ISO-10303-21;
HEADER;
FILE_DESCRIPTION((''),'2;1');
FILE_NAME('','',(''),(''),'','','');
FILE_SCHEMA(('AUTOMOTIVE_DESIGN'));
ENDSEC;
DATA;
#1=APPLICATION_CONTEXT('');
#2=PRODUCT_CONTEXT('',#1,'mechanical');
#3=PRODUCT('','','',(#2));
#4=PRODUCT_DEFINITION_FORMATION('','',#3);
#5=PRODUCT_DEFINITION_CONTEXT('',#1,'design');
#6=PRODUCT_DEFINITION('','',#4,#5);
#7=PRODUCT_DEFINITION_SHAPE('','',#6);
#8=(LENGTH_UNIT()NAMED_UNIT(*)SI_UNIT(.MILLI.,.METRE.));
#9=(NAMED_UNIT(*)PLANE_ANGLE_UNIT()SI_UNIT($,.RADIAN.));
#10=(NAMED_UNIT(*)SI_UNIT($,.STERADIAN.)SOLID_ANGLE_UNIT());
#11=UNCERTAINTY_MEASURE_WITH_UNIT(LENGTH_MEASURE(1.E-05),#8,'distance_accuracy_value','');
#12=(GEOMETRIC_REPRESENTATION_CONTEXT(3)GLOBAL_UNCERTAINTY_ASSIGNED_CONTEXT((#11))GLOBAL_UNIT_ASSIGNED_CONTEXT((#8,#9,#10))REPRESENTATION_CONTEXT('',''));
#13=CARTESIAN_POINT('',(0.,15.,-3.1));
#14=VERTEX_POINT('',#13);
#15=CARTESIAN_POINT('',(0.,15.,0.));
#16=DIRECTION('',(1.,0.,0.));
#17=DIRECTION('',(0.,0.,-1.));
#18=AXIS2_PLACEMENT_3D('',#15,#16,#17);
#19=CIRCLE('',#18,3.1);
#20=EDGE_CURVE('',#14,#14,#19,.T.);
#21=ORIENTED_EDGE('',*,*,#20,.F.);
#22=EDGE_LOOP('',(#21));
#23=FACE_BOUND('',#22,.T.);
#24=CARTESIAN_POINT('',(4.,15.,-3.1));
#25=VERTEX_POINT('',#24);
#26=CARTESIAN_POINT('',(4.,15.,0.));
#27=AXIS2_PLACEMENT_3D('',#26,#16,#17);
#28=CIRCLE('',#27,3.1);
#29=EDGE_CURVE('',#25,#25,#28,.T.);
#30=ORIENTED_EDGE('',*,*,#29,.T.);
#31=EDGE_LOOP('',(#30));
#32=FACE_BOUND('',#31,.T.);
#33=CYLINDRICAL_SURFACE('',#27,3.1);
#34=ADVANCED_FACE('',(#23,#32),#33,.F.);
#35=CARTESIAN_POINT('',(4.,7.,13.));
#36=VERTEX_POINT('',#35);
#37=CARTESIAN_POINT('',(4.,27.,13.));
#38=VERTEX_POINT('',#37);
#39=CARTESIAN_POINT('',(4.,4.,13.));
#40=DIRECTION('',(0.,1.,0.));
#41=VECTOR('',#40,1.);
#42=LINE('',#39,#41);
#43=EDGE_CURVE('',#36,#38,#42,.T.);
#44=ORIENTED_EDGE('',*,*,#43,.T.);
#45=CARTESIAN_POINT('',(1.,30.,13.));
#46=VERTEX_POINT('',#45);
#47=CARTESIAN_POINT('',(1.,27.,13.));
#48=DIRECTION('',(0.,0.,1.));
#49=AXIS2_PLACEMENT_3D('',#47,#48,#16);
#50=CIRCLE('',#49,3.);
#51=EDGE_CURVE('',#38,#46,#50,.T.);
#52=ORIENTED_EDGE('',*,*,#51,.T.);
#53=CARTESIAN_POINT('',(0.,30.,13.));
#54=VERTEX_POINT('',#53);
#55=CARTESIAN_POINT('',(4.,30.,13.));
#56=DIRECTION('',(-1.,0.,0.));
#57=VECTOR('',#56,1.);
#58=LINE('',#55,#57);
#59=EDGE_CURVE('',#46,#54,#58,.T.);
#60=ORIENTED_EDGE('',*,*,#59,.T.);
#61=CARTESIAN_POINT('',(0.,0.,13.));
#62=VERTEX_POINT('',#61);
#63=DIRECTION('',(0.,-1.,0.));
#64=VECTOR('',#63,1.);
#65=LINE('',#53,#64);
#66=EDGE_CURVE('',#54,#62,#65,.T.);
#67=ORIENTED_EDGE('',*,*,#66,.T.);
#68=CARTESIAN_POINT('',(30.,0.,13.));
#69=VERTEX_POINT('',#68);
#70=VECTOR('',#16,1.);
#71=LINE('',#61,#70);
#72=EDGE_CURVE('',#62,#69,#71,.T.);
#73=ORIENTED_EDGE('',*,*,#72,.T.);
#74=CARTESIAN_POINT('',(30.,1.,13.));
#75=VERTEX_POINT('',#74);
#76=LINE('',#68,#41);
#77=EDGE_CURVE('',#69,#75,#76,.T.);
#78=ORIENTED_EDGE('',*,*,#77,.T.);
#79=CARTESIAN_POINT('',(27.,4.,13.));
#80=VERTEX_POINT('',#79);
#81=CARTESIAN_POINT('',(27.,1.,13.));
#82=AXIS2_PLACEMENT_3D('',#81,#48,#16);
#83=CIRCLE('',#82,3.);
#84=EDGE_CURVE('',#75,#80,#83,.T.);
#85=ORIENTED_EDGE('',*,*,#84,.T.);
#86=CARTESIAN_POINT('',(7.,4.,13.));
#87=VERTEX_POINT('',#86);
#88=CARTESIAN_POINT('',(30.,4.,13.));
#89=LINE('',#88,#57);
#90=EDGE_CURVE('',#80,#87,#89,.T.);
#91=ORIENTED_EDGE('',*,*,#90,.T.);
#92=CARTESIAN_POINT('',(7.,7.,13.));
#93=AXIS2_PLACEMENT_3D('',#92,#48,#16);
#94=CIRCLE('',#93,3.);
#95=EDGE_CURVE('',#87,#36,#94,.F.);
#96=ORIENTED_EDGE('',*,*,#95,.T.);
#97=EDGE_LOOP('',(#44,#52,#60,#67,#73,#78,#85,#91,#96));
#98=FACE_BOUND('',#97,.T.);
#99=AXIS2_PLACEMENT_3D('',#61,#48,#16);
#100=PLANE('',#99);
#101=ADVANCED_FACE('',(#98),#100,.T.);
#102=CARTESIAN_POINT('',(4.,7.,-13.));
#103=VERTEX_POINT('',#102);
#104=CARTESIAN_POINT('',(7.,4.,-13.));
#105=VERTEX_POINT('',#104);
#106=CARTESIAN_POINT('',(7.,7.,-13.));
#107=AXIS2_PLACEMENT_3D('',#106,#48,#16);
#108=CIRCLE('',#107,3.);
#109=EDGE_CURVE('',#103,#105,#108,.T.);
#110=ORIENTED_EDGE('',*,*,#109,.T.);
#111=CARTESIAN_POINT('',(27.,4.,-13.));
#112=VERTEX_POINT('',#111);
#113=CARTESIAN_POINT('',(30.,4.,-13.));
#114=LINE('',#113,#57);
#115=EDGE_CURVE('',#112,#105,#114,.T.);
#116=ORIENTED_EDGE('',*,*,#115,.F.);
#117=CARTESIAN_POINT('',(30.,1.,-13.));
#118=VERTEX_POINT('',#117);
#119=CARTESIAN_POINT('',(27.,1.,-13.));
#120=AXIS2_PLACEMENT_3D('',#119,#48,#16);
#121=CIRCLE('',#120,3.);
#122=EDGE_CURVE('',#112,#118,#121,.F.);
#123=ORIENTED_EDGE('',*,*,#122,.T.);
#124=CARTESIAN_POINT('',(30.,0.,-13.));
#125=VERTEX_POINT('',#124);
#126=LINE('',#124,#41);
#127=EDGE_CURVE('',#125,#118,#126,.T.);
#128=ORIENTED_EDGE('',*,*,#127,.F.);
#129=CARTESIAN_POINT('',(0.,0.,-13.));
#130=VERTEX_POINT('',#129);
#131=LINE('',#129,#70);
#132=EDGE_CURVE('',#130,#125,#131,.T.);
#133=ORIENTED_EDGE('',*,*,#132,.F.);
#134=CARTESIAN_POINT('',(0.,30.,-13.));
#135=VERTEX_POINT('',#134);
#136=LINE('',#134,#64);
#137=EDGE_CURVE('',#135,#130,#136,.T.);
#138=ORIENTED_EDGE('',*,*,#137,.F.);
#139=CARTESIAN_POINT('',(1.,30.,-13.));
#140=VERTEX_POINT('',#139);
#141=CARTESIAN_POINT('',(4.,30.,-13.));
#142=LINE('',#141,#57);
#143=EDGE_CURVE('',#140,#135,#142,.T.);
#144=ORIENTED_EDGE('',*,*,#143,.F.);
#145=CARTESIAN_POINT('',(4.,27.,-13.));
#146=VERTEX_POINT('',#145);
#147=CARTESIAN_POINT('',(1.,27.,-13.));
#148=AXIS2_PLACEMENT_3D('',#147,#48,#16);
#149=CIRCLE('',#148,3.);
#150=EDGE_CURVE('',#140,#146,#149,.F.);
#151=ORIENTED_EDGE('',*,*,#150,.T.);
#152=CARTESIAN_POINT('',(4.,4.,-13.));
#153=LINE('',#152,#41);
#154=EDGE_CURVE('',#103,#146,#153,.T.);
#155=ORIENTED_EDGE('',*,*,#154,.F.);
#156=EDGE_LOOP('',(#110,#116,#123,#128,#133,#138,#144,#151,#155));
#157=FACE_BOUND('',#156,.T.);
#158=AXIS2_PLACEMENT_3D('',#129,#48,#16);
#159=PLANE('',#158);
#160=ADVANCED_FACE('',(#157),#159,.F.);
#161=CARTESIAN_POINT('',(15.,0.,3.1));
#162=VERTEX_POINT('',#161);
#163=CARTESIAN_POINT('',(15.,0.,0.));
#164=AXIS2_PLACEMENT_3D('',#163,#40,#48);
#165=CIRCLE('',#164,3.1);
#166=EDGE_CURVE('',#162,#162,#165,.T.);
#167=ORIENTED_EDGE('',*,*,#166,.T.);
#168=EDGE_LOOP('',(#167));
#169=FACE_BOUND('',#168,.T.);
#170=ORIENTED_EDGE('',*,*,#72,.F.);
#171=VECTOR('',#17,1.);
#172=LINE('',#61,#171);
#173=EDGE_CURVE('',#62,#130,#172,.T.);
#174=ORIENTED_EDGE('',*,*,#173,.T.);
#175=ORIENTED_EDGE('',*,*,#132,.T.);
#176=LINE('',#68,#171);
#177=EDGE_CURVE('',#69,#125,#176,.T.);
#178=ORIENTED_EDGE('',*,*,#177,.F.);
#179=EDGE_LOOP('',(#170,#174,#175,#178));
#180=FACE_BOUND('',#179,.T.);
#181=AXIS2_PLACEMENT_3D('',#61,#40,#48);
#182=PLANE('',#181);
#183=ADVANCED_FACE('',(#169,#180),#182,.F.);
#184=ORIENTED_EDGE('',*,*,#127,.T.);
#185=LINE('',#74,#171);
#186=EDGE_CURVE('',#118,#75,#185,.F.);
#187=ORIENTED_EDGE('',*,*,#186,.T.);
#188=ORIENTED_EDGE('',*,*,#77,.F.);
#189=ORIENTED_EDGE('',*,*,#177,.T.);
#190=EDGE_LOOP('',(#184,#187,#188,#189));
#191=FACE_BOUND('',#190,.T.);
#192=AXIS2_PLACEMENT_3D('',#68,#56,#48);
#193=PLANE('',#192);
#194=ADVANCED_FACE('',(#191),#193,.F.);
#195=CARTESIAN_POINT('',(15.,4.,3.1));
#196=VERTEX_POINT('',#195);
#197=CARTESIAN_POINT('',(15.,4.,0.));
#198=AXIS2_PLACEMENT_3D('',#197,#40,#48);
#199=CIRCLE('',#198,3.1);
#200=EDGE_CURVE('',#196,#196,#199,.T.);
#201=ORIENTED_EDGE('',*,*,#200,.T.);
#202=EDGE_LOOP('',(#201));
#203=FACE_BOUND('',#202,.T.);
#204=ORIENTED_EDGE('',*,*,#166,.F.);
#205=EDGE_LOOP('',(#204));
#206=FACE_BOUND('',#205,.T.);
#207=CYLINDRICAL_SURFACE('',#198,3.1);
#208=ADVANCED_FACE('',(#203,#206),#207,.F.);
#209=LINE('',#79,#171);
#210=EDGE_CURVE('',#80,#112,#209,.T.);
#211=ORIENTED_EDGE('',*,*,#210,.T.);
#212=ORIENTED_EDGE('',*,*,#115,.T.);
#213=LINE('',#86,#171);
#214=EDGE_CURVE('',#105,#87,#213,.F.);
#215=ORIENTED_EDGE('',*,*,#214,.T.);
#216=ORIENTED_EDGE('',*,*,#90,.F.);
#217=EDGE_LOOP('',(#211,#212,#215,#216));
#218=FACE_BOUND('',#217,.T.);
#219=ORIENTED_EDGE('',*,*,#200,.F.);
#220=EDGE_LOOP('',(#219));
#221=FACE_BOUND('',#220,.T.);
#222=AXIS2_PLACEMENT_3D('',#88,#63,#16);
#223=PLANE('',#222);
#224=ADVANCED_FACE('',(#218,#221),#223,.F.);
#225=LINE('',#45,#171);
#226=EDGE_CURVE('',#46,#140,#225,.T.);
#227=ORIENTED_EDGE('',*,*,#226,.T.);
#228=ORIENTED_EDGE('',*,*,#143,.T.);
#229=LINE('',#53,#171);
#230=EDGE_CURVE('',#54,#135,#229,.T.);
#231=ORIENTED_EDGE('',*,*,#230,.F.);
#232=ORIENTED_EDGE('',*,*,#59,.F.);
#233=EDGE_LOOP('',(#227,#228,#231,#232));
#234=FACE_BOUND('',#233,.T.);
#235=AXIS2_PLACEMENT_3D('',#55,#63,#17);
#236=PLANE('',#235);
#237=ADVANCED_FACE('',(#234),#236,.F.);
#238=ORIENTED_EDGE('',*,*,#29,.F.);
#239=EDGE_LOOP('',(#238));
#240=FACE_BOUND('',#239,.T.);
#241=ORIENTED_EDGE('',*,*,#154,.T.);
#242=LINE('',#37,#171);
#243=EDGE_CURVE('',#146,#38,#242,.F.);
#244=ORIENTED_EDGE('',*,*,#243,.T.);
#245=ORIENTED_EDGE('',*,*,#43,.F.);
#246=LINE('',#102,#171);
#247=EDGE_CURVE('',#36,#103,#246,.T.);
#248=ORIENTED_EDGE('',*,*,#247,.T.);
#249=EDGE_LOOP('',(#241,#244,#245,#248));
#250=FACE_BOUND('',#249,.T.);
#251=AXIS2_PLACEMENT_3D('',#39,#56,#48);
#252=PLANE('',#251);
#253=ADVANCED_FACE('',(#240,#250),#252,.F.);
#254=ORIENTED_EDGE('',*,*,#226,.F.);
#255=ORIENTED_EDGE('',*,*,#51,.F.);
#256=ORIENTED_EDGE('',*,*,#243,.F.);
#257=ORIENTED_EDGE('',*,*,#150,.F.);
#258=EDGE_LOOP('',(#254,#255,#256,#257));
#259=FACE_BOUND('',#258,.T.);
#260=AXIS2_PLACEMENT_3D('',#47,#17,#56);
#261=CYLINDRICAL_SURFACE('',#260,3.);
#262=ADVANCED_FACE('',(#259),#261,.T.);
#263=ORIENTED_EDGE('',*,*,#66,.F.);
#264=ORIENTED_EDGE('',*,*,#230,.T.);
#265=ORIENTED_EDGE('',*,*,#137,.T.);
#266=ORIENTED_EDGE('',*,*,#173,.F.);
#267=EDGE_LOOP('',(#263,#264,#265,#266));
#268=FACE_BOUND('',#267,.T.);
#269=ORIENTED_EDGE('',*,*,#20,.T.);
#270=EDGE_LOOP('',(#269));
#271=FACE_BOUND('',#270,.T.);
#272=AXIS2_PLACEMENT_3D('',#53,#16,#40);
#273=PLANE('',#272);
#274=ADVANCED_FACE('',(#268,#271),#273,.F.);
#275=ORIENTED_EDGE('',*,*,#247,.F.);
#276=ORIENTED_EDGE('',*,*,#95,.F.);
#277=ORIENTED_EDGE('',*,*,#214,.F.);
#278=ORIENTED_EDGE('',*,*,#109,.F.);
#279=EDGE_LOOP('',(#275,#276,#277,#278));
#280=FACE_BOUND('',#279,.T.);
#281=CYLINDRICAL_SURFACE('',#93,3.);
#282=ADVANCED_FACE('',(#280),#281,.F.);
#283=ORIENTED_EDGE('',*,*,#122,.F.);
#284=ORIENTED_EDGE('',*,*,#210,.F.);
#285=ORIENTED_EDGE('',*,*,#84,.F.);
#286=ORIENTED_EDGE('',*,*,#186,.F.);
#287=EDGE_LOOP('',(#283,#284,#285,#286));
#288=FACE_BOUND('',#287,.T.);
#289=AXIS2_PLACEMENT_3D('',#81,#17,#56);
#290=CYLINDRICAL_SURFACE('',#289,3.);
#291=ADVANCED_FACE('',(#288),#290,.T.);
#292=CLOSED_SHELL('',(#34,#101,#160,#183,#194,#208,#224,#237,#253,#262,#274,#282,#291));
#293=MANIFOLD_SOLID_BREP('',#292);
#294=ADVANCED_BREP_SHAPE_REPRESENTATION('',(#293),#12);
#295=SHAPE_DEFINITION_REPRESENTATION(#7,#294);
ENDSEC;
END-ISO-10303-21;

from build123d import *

# Parameters (mm, degrees)
EXTRUDE_1_DEPTH         = 13
HOLE_WIZARD_6_2_6_2_1_D = 6.2
HOLE_WIZARD_6_2_6_2_2_D = 6.2
FILLET_1_R              = 3


with BuildPart() as part:
    # 草图1 → 凸台-拉伸1 (new, symmetric)
    with BuildSketch(Plane.XY):
        Polygon((0, 0), (30, 0), (30, 4), (4, 4), (4, 30), (0, 30), align=None)
    extrude(amount=EXTRUDE_1_DEPTH, both=True)

    # Ø6.2 (6.2) 直径孔1 (through all)
    with Locations(Plane(origin=(0, 4, 0), x_dir=(1, 0, 0), z_dir=(0, 1, 0))):
        with Locations((15, 0)):
            Hole(HOLE_WIZARD_6_2_6_2_1_D / 2)

    # Ø6.2 (6.2) 直径孔2 (through all)
    with Locations(Plane(origin=(4, 0, 0), x_dir=(0, 0, -1), z_dir=(1, 0, 0))):
        with Locations((0, 15)):
            Hole(HOLE_WIZARD_6_2_6_2_2_D / 2)

    # 圆角1
    fillet_1_edges = [part.edges().sort_by_distance(p)[0] for p in [
        (4, 30, 0),
        (4, 4, 0),
        (30, 4, 0),
    ]]
    fillet(fillet_1_edges, radius=FILLET_1_R)


solid = part.part
